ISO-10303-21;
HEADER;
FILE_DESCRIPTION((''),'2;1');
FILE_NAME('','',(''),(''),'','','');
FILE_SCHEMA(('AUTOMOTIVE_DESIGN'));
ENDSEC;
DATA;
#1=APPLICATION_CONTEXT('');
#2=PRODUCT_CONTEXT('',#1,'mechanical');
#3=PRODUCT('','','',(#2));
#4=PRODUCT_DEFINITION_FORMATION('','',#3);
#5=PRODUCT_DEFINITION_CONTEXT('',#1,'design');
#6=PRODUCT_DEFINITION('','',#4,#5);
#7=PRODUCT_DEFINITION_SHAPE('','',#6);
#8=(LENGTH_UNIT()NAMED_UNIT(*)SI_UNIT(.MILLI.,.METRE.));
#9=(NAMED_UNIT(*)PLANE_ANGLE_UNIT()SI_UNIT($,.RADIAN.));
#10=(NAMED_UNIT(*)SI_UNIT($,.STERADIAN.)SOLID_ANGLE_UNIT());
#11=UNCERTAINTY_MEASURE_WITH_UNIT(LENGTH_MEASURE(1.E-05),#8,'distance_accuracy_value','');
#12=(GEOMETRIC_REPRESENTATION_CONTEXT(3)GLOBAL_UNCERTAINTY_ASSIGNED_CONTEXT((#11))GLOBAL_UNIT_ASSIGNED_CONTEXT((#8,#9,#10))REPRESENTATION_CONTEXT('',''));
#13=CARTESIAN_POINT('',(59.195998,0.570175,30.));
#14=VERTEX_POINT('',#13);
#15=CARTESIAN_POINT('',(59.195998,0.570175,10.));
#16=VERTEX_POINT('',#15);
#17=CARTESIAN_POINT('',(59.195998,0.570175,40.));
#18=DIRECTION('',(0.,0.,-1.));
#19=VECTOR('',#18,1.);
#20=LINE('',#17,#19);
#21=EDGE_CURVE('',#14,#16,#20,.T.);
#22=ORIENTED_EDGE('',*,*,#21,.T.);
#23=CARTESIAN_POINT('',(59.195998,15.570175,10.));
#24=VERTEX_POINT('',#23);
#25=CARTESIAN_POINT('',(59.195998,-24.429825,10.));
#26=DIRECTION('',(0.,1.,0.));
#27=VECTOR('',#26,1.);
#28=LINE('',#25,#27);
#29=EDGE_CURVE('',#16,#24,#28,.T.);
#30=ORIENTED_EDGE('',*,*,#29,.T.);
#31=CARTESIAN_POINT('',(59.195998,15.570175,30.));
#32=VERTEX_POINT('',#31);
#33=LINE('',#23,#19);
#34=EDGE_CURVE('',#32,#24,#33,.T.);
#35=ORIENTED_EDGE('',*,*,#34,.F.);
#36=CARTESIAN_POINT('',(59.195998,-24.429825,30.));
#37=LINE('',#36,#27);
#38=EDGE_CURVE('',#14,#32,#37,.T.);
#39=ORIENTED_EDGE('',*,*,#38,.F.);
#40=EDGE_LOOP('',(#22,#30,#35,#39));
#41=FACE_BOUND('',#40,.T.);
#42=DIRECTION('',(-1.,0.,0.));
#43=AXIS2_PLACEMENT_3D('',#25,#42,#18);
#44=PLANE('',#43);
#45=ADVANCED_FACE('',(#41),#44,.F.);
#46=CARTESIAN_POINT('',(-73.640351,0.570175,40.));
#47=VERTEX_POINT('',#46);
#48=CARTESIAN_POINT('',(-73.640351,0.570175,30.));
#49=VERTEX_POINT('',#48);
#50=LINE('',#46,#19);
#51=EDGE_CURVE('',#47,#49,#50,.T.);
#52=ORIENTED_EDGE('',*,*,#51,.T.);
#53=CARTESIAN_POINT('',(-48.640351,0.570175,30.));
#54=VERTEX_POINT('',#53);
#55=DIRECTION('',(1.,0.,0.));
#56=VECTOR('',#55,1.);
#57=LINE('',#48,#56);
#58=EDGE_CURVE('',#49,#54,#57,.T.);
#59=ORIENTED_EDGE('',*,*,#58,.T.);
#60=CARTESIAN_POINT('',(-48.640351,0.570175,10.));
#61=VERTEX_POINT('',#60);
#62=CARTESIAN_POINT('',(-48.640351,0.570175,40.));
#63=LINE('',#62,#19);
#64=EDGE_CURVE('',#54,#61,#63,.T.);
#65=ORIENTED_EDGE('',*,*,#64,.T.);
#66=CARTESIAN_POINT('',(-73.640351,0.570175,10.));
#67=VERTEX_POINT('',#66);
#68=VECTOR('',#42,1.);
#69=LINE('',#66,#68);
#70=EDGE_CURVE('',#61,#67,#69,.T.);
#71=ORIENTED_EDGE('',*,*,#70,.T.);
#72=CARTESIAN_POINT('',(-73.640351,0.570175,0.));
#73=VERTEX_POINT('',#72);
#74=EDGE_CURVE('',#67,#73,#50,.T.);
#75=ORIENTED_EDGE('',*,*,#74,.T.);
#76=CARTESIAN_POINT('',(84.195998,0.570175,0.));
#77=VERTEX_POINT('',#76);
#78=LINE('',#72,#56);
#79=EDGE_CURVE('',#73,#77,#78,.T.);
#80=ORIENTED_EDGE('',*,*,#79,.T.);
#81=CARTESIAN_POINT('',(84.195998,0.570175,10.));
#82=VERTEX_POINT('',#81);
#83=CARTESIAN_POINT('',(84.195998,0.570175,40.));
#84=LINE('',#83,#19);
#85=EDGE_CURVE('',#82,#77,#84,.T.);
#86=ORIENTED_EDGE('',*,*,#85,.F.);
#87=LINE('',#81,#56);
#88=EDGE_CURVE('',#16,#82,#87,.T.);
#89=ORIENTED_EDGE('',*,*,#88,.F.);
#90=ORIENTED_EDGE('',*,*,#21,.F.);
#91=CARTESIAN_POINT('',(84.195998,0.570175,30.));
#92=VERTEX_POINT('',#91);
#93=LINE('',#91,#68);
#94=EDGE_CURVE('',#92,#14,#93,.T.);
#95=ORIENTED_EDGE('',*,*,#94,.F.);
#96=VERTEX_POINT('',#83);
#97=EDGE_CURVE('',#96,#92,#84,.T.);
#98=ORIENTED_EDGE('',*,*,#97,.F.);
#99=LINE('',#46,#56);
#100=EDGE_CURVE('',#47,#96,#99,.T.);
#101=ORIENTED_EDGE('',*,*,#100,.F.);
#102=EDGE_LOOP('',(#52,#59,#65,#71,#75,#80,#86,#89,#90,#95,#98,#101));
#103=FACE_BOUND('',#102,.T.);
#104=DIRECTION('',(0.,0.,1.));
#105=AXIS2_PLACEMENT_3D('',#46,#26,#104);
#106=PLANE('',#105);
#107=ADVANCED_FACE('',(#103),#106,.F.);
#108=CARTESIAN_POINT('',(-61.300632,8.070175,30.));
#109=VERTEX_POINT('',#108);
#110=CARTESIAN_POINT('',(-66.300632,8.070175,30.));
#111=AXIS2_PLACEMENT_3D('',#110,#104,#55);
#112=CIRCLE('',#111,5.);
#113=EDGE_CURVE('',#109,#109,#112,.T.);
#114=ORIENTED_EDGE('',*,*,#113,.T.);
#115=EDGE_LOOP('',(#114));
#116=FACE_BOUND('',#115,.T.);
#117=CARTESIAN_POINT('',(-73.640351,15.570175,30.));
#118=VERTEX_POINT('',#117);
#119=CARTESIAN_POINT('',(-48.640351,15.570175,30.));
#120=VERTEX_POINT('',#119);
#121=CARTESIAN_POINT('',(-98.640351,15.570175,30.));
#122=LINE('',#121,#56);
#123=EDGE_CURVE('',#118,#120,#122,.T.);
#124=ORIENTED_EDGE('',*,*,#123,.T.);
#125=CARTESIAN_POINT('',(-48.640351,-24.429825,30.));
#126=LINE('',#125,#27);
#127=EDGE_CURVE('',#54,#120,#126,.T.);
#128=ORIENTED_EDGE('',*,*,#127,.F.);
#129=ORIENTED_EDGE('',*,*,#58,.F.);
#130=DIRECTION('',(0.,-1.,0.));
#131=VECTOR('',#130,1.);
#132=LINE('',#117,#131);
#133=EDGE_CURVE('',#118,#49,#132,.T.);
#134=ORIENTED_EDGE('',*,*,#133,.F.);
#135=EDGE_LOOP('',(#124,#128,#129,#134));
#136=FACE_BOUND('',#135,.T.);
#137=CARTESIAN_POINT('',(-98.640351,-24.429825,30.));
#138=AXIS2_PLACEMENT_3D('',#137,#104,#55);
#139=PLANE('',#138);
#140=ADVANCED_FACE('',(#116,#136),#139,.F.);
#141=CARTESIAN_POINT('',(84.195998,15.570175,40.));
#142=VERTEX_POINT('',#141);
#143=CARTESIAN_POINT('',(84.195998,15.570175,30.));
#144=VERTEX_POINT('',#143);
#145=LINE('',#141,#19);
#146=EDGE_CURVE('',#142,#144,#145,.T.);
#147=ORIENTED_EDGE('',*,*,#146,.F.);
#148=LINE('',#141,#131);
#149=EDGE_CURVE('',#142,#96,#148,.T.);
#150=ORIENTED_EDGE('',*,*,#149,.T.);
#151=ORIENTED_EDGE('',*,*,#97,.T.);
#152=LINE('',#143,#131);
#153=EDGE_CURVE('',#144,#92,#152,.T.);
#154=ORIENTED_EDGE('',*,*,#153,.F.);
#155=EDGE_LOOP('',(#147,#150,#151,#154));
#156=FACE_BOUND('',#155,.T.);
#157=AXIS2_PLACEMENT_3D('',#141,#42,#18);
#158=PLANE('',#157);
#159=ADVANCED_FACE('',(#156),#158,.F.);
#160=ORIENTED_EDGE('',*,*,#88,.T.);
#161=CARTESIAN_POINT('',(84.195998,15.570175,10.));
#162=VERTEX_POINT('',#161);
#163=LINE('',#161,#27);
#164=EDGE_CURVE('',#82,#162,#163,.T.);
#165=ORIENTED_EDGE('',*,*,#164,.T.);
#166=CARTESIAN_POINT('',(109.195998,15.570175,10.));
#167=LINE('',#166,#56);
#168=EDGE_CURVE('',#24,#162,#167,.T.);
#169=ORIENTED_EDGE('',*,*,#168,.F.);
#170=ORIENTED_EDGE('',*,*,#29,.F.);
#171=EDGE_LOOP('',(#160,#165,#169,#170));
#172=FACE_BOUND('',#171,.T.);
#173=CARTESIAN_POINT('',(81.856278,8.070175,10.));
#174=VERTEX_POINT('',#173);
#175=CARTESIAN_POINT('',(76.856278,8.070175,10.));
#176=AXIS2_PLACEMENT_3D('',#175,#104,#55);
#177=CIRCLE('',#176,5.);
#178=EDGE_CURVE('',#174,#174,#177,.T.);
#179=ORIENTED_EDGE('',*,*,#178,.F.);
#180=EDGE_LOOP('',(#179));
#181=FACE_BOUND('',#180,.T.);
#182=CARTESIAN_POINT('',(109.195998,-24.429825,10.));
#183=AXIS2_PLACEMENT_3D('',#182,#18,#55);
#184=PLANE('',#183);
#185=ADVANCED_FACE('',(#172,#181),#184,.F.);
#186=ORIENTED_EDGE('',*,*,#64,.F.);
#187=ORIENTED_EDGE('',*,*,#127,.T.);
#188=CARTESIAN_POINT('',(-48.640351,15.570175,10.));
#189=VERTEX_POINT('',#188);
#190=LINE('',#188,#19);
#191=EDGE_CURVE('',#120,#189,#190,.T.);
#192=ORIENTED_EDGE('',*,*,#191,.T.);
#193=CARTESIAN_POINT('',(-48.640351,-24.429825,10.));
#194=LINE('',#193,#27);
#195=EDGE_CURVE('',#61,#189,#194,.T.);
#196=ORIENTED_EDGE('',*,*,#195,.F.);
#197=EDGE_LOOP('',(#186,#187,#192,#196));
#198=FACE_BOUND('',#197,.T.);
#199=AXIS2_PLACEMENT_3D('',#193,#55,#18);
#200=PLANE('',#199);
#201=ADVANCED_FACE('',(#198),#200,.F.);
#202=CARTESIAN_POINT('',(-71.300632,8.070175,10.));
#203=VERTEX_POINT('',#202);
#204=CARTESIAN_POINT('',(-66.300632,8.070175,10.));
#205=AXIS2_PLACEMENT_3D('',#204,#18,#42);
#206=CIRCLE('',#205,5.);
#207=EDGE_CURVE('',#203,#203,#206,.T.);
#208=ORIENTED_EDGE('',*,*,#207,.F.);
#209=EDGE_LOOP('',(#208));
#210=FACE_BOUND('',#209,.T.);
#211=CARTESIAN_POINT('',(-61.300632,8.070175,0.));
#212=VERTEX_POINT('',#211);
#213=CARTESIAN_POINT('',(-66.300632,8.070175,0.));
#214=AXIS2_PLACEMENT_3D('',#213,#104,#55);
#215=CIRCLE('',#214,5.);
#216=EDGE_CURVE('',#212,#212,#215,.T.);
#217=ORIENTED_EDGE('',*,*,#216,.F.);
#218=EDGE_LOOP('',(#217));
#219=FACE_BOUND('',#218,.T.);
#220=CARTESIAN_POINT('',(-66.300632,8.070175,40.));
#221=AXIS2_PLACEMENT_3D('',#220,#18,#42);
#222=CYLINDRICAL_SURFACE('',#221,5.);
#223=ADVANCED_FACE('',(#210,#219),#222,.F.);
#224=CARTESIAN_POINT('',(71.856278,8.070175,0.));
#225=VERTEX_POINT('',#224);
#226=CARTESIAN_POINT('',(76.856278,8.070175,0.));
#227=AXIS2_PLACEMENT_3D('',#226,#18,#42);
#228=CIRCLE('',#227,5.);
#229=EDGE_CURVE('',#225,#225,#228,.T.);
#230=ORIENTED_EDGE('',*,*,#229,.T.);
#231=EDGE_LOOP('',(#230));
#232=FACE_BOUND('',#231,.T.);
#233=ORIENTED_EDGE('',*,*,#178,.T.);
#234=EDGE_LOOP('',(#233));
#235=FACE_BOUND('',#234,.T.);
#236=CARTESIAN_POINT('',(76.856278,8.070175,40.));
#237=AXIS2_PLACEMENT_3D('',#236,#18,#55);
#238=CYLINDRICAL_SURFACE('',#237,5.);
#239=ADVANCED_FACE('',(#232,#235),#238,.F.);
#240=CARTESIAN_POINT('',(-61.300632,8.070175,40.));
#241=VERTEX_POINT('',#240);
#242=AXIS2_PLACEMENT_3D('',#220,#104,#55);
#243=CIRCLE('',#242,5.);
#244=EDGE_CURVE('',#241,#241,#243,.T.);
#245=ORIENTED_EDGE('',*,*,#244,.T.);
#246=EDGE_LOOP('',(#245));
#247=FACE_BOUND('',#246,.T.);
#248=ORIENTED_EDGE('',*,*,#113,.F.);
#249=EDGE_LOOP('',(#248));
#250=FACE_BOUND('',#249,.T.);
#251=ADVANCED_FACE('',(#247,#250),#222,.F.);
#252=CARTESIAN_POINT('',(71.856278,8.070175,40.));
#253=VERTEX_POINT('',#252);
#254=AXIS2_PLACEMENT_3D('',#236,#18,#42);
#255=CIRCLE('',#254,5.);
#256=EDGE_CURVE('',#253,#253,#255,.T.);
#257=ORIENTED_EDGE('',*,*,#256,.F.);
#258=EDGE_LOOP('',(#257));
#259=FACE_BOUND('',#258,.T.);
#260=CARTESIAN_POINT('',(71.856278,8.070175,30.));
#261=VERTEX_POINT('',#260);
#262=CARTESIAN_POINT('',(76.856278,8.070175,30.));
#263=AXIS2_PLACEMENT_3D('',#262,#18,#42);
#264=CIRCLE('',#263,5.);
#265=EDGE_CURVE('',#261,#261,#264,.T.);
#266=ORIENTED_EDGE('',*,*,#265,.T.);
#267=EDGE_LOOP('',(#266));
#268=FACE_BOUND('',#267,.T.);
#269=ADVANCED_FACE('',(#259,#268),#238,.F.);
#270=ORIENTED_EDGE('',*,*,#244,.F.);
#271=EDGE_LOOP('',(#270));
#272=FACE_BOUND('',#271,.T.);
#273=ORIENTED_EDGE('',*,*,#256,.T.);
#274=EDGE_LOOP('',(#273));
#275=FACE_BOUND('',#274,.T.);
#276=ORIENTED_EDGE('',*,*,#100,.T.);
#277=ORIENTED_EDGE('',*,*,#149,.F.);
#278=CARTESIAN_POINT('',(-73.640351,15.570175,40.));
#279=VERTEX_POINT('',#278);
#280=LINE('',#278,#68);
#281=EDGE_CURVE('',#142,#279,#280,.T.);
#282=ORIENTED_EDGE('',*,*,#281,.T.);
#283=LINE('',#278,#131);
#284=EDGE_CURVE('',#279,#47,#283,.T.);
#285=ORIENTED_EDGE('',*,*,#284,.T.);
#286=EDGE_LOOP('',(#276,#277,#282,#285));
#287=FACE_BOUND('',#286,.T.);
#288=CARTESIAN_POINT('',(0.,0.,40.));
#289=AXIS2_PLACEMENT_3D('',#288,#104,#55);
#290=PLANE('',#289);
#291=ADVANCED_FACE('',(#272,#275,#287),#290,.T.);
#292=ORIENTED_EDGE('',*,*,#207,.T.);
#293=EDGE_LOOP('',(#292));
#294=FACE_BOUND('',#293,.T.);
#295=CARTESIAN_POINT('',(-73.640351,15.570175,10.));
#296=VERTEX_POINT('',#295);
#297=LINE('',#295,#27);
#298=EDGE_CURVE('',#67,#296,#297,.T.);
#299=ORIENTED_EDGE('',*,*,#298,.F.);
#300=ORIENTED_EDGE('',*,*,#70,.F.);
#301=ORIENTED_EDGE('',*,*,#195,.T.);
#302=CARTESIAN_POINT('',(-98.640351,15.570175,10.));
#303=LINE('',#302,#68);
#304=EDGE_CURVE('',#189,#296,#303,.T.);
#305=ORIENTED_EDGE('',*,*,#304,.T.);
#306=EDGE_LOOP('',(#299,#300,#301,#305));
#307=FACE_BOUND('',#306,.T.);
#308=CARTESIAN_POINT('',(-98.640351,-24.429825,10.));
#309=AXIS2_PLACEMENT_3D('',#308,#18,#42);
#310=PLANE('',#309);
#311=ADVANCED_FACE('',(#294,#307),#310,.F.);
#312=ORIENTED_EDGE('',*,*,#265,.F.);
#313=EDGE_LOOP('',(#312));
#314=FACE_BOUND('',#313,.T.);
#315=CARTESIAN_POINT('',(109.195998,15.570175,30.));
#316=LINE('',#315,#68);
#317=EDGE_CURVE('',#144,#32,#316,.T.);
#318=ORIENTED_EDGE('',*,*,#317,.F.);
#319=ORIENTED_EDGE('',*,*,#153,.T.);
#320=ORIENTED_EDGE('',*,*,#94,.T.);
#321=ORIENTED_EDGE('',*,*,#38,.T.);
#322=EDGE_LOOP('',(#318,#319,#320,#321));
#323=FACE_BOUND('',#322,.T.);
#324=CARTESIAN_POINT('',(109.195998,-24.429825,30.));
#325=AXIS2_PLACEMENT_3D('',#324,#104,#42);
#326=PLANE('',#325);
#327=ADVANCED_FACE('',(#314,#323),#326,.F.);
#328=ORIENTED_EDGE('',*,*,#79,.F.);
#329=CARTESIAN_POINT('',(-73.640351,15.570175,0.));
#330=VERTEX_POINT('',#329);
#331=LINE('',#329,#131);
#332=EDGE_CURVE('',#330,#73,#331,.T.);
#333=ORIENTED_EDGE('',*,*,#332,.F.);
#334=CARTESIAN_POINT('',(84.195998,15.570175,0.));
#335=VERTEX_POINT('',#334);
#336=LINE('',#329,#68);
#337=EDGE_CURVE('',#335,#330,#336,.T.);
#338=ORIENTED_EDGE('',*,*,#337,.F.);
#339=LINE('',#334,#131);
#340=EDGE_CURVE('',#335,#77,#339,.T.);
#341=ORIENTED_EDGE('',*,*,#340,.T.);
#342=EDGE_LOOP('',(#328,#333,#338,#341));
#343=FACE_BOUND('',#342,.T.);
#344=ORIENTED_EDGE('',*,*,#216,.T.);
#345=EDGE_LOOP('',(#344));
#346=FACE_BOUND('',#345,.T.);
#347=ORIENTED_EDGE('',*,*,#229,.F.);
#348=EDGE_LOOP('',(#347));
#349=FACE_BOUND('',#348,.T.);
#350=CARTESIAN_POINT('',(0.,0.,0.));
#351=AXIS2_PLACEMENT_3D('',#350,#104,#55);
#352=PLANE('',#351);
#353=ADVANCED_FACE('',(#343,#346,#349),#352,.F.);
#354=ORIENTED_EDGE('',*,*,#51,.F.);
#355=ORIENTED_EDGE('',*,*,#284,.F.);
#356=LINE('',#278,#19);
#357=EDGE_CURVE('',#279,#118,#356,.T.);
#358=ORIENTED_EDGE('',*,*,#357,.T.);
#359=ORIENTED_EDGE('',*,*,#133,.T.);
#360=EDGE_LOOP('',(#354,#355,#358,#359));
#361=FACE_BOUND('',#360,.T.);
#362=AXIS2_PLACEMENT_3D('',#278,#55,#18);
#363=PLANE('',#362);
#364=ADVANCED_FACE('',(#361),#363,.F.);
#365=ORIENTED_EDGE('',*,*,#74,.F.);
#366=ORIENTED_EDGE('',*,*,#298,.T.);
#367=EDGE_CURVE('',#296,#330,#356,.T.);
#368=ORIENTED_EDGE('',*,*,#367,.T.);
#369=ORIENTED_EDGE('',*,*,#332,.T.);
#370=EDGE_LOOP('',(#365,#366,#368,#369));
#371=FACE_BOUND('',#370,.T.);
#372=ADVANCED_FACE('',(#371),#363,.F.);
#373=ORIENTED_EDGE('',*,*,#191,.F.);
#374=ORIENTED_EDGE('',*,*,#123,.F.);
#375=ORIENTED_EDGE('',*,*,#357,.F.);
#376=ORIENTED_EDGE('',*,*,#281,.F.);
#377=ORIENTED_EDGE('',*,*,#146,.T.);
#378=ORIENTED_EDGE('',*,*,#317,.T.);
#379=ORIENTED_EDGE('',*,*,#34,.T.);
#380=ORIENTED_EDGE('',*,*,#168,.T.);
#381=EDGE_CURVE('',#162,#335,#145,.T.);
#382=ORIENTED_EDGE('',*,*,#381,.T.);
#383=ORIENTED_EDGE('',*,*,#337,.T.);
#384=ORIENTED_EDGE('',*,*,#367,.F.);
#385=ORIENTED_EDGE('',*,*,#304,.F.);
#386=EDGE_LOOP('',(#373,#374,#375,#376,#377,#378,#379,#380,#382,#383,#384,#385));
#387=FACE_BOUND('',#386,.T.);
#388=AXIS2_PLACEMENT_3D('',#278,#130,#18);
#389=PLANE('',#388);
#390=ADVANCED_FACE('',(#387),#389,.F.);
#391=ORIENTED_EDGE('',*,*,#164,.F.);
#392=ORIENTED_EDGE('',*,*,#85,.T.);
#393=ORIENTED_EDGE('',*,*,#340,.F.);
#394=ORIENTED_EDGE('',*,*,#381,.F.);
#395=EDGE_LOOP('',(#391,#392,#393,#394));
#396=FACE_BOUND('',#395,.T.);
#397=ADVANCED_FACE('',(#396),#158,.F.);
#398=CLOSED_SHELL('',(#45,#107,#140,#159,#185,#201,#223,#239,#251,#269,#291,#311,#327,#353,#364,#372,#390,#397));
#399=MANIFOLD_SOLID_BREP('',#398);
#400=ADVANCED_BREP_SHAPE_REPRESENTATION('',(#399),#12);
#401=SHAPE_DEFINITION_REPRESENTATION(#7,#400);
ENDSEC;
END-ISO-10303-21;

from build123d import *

# Parameters (mm, degrees)
SKETCH_1_W          = 200
SKETCH_1_H          = 15
SKETCH_1_R          = 5
EXTRUDE_2_DEPTH     = 40
SKETCH_2_W          = 50
SKETCH_2_H          = 20
CUT_EXTRUDE_2_DEPTH = 40
SKETCH_3_W          = 242.163651579
SKETCH_3_H          = 102.30151502
CUT_EXTRUDE_3_DEPTH = 40


with BuildPart() as part:
    # 草图1 → 凸台-拉伸2 (new body)
    with BuildSketch(Plane.XY):
        with Locations((26.359649123, 8.070175439)):
            Rectangle(SKETCH_1_W, SKETCH_1_H)
        with Locations((-66.300631579, 8.070175439)):
            Circle(SKETCH_1_R, mode=Mode.SUBTRACT)
        with Locations((118.699368421, 8.070175439)):
            Circle(SKETCH_1_R, mode=Mode.SUBTRACT)
    extrude(amount=EXTRUDE_2_DEPTH)

    # 草图2 → 切除-拉伸2 (cut)
    with BuildSketch(Plane(origin=(0, 15.570175439, 0), x_dir=(1, 0, 0), z_dir=(0, 1, 0))):
        with Locations((-73.640350877, -20)):
            Rectangle(SKETCH_2_W, SKETCH_2_H)
        with Locations((126.359649123, -20)):
            Rectangle(SKETCH_2_W, SKETCH_2_H)
    extrude(amount=-CUT_EXTRUDE_2_DEPTH, mode=Mode.SUBTRACT)

    # 草图3 → 切除-拉伸3 (cut)
    with BuildSketch(Plane(origin=(0, 15.570175439, 0), x_dir=(1, 0, 0), z_dir=(0, 1, 0))):
        with Locations((126.359649123, 0)):
            Rectangle(SKETCH_3_W, SKETCH_3_H)
    extrude(amount=-CUT_EXTRUDE_3_DEPTH, mode=Mode.SUBTRACT)

    # 镜向2: part across plane


with BuildPart() as part_1:
    add(part.part)
    add(part.part.mirror(Plane(origin=(5.277823333, -24.429824561, -51.15075751), x_dir=(0, 0, 1), z_dir=(-1, 0, 0))))


solid = part_1.part
